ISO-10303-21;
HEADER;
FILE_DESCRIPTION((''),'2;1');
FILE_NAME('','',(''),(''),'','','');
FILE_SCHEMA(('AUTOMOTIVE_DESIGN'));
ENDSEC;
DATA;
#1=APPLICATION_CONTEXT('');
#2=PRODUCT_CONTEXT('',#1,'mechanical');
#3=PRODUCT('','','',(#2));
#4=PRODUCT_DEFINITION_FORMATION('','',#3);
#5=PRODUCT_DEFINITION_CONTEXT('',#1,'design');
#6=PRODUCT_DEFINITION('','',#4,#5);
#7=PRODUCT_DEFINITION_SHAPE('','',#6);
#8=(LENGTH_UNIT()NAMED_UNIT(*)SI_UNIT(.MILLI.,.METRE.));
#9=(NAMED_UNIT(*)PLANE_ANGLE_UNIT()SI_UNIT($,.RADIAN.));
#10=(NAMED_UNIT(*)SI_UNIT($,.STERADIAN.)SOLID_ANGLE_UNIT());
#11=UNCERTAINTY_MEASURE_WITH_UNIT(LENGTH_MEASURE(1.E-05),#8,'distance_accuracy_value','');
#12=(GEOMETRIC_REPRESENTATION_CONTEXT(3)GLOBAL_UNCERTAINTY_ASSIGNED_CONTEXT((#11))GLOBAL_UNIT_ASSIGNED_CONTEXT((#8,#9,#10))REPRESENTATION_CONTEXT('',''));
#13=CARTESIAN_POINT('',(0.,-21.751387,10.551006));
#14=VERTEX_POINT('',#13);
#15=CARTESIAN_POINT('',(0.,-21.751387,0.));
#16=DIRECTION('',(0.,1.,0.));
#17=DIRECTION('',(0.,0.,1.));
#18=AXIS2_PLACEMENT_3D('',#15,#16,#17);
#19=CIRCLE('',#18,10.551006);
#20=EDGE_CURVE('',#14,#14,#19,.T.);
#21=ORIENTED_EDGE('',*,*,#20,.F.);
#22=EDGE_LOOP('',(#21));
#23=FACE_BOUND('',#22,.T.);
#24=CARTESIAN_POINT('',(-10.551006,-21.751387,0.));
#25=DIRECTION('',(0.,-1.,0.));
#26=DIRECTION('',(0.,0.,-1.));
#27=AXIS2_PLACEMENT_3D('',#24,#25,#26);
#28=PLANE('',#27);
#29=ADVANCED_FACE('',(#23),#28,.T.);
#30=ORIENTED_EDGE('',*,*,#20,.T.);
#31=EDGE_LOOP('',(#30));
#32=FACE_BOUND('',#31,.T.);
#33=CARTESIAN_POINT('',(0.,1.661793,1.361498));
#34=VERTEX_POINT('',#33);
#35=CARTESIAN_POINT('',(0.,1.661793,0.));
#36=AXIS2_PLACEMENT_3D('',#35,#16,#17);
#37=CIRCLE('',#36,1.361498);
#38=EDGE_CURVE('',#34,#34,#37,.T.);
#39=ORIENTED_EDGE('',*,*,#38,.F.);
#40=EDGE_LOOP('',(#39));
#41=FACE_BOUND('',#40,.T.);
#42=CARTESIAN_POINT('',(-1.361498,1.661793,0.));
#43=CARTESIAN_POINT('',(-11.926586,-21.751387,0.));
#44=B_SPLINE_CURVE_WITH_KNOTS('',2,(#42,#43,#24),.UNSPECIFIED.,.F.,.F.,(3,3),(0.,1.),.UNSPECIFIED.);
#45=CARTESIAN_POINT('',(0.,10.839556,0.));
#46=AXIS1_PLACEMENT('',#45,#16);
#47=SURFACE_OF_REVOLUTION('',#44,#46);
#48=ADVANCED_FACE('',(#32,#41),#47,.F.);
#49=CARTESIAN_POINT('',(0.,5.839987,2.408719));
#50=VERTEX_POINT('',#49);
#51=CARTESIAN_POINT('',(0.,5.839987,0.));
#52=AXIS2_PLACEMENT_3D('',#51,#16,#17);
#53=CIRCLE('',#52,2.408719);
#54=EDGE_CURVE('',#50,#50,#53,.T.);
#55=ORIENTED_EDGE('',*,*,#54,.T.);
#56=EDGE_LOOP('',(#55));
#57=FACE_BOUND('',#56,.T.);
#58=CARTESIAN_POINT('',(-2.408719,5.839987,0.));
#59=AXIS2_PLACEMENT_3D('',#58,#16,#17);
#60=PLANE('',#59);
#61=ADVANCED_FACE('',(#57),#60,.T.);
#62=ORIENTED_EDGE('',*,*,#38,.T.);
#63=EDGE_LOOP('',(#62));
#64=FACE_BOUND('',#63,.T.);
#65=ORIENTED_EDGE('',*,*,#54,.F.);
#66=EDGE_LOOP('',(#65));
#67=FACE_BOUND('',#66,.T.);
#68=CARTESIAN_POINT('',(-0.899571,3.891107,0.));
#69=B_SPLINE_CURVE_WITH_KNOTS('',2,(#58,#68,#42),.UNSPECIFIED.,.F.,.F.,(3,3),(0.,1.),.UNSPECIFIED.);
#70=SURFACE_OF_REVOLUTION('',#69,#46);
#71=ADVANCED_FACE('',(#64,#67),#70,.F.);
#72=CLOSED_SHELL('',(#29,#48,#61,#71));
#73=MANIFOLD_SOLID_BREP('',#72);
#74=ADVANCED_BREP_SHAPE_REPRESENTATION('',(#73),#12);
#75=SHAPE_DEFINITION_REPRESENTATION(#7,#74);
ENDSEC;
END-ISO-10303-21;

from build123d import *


with BuildPart() as part:
    # Sketch3 → Revolve9 (revolve)
    with BuildSketch(Plane.XY):
        with BuildLine():
            Line((-10.551006451, -21.751386889), (0, -21.751386889))
            Line((0, -21.751386889), (0, 5.839987342))
            Line((0, 5.839987342), (-2.408718521, 5.839987342))
            add(Edge.make_bspline(
                [(-1.361497588, 1.661793228), (-0.899570843, 3.891106641), (-2.408718521, 5.839987342)],
                knots=[0, 0, 0, 1, 1, 1], degree=2))
            add(Edge.make_bspline(
                [(-1.361497588, 1.661793228), (-11.926585633, -21.751386889), (-10.551006451, -21.751386889)],
                knots=[0, 0, 0, 1, 1, 1], degree=2))
        make_face()
    revolve(axis=Axis((0, 10.839555672, 0), (0, -1, 0)))


solid = part.part
